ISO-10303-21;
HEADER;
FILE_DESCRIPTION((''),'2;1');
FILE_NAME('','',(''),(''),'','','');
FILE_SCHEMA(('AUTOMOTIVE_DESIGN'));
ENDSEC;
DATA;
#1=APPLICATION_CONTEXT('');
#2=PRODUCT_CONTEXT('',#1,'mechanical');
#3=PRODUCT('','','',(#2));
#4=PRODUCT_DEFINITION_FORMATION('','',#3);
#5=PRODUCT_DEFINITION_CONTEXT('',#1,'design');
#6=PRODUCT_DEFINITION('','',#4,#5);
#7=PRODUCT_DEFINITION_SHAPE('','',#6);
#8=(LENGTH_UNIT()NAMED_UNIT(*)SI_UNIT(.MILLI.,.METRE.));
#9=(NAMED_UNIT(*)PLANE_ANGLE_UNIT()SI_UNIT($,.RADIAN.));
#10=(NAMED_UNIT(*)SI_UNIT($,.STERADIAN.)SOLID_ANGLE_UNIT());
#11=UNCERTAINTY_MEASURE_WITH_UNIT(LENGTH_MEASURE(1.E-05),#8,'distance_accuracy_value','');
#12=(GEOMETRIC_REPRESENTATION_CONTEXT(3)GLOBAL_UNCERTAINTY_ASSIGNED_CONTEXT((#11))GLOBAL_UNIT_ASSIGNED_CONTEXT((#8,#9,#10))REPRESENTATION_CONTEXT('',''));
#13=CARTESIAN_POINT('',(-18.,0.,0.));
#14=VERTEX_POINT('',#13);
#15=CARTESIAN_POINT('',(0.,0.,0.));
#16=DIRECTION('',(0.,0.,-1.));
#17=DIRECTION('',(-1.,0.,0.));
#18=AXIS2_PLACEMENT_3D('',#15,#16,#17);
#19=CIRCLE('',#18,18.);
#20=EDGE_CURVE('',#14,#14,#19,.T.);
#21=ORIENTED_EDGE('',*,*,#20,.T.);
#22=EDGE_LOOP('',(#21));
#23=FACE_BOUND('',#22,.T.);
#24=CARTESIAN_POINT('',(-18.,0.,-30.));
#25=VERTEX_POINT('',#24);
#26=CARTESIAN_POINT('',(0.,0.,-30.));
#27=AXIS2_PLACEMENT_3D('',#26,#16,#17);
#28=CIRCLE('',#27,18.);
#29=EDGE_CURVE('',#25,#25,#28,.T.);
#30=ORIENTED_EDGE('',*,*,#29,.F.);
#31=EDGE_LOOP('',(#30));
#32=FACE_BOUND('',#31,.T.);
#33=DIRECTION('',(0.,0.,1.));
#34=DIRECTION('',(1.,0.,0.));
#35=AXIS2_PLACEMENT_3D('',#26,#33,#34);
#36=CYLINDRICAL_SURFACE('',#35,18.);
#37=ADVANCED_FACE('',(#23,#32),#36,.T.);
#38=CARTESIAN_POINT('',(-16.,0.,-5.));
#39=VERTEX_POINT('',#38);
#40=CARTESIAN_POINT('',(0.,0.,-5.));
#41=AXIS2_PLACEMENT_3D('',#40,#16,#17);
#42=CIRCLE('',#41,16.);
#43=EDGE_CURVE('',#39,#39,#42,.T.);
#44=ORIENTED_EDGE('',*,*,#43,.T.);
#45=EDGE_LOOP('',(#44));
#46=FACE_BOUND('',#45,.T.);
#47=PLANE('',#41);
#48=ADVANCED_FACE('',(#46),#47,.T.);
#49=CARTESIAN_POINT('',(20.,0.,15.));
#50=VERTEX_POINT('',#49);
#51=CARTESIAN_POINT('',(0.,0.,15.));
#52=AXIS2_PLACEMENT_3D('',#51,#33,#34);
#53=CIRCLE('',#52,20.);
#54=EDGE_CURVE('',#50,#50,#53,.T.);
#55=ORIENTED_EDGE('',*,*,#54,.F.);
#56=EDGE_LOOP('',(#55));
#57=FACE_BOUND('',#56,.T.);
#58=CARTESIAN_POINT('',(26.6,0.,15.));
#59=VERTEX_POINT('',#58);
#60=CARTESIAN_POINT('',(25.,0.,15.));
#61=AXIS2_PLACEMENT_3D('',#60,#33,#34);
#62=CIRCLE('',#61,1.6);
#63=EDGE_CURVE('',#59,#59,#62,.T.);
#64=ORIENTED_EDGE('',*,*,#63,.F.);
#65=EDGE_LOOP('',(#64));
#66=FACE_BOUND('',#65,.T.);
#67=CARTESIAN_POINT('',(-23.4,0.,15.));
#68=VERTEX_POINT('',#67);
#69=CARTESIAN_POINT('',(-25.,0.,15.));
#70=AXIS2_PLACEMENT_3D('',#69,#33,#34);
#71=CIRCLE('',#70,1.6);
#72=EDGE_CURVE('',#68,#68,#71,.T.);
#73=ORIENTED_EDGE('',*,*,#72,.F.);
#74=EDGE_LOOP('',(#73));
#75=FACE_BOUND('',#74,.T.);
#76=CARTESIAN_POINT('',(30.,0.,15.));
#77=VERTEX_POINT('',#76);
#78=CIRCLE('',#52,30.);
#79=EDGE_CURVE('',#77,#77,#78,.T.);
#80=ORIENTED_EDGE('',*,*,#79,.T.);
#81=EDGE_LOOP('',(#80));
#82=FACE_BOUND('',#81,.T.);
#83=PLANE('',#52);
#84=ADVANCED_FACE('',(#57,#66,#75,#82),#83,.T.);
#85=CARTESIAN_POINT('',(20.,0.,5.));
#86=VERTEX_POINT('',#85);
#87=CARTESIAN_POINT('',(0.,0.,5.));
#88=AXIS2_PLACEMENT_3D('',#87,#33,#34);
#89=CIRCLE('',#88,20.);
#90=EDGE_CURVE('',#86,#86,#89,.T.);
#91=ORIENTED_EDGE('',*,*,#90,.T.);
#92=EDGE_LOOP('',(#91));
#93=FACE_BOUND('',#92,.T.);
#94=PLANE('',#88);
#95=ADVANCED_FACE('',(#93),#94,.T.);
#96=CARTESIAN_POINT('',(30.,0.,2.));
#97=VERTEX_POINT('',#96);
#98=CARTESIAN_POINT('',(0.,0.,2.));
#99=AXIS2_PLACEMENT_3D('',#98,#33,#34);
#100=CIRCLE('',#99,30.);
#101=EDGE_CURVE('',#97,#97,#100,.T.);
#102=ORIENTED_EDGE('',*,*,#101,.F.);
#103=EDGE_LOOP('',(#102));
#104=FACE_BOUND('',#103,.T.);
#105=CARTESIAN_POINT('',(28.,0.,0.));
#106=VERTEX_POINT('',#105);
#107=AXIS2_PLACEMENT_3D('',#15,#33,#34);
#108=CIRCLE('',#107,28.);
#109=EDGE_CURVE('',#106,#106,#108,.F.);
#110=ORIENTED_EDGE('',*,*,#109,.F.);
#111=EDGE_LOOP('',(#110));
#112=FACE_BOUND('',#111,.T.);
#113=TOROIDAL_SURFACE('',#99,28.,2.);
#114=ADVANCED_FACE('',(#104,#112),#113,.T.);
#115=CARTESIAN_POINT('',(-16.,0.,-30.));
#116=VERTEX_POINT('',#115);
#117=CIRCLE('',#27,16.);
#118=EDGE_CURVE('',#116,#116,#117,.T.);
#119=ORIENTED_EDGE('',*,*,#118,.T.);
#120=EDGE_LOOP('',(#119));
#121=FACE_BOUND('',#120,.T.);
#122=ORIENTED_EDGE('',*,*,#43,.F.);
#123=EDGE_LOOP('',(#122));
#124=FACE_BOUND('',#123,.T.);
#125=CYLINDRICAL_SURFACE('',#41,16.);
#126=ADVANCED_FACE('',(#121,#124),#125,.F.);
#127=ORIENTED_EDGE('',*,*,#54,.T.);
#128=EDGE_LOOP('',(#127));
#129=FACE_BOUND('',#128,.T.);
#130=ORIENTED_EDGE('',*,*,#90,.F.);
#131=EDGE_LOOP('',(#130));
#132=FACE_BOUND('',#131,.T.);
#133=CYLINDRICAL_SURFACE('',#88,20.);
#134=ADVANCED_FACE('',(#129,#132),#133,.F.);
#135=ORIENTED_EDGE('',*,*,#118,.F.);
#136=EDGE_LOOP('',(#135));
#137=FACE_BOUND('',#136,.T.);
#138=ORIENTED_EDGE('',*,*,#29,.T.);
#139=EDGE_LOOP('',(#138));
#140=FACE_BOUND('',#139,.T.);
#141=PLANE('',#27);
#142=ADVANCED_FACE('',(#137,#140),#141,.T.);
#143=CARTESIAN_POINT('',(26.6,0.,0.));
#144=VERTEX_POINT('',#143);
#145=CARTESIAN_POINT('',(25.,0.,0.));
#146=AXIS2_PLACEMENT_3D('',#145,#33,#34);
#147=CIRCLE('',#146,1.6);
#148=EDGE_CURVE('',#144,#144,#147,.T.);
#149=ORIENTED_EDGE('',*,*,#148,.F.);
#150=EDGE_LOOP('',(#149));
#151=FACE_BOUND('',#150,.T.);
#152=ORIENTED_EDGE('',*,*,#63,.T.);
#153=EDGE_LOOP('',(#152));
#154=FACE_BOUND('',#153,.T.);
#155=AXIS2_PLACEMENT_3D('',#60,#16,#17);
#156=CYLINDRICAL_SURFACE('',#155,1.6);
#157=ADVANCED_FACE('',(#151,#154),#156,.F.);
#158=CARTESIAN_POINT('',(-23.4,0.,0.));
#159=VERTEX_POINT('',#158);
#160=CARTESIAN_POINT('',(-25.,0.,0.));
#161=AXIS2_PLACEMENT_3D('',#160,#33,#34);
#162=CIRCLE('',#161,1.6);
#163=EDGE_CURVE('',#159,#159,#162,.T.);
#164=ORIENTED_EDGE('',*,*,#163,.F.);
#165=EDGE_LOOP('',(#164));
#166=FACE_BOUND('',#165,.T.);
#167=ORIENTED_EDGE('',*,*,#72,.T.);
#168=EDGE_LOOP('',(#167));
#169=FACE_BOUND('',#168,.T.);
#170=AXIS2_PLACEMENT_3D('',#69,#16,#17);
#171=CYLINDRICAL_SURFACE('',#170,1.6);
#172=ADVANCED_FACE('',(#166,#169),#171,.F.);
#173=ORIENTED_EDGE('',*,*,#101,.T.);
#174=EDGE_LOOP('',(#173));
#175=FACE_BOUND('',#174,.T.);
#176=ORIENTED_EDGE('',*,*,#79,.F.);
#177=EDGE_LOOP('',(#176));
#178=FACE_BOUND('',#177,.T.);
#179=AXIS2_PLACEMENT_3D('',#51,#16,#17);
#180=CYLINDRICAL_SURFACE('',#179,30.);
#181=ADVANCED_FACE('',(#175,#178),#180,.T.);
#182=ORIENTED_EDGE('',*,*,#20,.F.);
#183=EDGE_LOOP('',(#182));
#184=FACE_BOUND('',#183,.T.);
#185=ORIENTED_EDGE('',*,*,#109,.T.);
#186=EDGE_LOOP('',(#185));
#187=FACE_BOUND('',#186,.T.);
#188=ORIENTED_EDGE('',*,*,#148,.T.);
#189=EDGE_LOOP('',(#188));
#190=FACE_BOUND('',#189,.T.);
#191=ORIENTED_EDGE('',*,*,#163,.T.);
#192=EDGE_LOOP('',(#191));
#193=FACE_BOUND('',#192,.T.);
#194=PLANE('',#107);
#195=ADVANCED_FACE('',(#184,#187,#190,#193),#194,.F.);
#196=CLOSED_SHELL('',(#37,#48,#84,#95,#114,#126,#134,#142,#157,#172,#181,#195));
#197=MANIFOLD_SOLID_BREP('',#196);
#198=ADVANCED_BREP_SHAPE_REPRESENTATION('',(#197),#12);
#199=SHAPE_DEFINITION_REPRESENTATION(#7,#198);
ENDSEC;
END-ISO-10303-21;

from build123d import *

# Parameters (mm, degrees)
SKETCH1_R           = 30
SKETCH1_R_2         = 1.6
BOSS_EXTRUDE1_DEPTH = 15
SKETCH2_R           = 20
CUT_EXTRUDE1_DEPTH  = 10
SKETCH3_R           = 18
BOSS_EXTRUDE2_DEPTH = 30
SKETCH4_R           = 16
CUT_EXTRUDE2_DEPTH  = 25
FILLET2_R           = 2


with BuildPart() as part:
    # Sketch1 → Boss-Extrude1 (new body)
    with BuildSketch(Plane.XY):
        Circle(SKETCH1_R)
        with Locations((-25, 0)):
            Circle(SKETCH1_R_2, mode=Mode.SUBTRACT)
        with Locations((25, 0)):
            Circle(SKETCH1_R_2, mode=Mode.SUBTRACT)
    extrude(amount=BOSS_EXTRUDE1_DEPTH)

    # Sketch2 → Cut-Extrude1 (cut)
    with BuildSketch(Plane.XY.offset(15)):
        Circle(SKETCH2_R)
    extrude(amount=-CUT_EXTRUDE1_DEPTH, mode=Mode.SUBTRACT)

    # Sketch3 → Boss-Extrude2 (add)
    with BuildSketch(Plane(origin=(0, 0, 0), x_dir=(-1, 0, 0), z_dir=(0, 0, -1))):
        Circle(SKETCH3_R)
    extrude(amount=BOSS_EXTRUDE2_DEPTH)

    # Sketch4 → Cut-Extrude2 (cut)
    with BuildSketch(Plane(origin=(0, 0, -30), x_dir=(-1, 0, 0), z_dir=(0, 0, -1))):
        Circle(SKETCH4_R)
    extrude(amount=-CUT_EXTRUDE2_DEPTH, mode=Mode.SUBTRACT)

    # Fillet2
    fillet2_edges = [part.edges().sort_by_distance(p)[0] for p in [
        (-30, 0, 0),
    ]]
    fillet(fillet2_edges, radius=FILLET2_R)


solid = part.part
